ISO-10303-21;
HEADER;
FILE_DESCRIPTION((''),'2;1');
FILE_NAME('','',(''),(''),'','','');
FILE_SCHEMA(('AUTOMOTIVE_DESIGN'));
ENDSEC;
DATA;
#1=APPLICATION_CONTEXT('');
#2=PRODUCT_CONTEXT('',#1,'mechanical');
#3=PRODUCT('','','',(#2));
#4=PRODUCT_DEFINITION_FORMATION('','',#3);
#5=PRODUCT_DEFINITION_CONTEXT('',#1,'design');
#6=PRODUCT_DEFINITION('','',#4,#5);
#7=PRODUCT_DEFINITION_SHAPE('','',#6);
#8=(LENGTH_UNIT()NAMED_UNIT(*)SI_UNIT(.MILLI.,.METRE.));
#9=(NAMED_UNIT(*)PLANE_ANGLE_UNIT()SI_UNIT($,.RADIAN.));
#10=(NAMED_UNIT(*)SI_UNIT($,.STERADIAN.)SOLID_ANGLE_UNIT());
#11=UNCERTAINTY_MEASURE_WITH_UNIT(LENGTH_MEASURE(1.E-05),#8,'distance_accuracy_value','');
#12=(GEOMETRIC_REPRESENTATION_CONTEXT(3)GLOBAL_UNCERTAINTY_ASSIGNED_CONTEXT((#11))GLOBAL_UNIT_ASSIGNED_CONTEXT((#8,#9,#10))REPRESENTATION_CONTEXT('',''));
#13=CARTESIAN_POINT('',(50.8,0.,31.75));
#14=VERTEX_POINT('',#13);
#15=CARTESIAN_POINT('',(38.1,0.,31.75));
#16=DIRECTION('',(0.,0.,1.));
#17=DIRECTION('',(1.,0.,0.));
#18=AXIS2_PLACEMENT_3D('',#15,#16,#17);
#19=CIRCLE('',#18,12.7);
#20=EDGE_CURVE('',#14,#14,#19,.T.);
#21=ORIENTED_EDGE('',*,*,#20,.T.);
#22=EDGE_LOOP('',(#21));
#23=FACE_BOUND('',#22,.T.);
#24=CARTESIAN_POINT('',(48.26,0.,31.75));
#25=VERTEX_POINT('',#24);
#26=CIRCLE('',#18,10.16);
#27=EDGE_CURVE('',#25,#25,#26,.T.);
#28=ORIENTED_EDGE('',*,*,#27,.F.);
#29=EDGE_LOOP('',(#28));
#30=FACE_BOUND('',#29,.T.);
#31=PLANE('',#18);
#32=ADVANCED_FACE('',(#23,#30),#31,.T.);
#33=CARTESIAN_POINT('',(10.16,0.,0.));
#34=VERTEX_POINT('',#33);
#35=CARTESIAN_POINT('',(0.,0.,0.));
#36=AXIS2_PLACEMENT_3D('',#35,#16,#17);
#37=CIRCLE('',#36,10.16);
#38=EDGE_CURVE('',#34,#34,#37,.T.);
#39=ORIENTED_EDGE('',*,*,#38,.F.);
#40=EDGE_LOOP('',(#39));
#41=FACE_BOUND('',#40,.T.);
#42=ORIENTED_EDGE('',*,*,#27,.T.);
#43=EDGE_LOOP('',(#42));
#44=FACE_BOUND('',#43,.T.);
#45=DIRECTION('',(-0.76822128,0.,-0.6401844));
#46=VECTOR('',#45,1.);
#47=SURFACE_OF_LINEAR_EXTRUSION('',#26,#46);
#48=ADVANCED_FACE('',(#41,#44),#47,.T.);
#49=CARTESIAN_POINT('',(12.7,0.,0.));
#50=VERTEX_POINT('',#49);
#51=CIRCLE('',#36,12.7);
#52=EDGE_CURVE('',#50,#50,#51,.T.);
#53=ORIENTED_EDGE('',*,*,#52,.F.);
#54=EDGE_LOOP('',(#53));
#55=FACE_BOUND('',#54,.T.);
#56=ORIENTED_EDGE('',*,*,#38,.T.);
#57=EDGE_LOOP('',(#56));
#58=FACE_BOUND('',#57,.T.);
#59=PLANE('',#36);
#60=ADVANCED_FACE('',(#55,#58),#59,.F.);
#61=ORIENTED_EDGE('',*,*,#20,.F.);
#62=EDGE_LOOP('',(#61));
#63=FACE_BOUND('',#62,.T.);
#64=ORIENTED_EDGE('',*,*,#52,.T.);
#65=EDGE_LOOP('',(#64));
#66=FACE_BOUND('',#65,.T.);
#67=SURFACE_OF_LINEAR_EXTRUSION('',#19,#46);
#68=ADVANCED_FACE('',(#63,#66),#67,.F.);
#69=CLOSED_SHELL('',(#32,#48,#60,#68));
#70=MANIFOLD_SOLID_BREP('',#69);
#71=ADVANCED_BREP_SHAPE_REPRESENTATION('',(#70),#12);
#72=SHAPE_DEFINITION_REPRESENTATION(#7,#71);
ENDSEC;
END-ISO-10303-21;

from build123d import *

# Parameters (mm, degrees)
SKETCH1_R   = 12.7
SKETCH1_R_2 = 10.16


with BuildPart() as part:
    # Sweep1: sweep along a path in Sketch2
    with BuildLine(Plane(origin=(0, 0, 0), x_dir=(1, 0, 0), z_dir=(0, 1, 0))) as sweep1_path:
        Line((0, 0), (38.1, -31.75))
    # Sketch1 → Sweep1 (sweep)
    with BuildSketch(Plane.XY):
        Circle(SKETCH1_R)
        Circle(SKETCH1_R_2, mode=Mode.SUBTRACT)
    sweep(path=sweep1_path.line)


solid = part.part
